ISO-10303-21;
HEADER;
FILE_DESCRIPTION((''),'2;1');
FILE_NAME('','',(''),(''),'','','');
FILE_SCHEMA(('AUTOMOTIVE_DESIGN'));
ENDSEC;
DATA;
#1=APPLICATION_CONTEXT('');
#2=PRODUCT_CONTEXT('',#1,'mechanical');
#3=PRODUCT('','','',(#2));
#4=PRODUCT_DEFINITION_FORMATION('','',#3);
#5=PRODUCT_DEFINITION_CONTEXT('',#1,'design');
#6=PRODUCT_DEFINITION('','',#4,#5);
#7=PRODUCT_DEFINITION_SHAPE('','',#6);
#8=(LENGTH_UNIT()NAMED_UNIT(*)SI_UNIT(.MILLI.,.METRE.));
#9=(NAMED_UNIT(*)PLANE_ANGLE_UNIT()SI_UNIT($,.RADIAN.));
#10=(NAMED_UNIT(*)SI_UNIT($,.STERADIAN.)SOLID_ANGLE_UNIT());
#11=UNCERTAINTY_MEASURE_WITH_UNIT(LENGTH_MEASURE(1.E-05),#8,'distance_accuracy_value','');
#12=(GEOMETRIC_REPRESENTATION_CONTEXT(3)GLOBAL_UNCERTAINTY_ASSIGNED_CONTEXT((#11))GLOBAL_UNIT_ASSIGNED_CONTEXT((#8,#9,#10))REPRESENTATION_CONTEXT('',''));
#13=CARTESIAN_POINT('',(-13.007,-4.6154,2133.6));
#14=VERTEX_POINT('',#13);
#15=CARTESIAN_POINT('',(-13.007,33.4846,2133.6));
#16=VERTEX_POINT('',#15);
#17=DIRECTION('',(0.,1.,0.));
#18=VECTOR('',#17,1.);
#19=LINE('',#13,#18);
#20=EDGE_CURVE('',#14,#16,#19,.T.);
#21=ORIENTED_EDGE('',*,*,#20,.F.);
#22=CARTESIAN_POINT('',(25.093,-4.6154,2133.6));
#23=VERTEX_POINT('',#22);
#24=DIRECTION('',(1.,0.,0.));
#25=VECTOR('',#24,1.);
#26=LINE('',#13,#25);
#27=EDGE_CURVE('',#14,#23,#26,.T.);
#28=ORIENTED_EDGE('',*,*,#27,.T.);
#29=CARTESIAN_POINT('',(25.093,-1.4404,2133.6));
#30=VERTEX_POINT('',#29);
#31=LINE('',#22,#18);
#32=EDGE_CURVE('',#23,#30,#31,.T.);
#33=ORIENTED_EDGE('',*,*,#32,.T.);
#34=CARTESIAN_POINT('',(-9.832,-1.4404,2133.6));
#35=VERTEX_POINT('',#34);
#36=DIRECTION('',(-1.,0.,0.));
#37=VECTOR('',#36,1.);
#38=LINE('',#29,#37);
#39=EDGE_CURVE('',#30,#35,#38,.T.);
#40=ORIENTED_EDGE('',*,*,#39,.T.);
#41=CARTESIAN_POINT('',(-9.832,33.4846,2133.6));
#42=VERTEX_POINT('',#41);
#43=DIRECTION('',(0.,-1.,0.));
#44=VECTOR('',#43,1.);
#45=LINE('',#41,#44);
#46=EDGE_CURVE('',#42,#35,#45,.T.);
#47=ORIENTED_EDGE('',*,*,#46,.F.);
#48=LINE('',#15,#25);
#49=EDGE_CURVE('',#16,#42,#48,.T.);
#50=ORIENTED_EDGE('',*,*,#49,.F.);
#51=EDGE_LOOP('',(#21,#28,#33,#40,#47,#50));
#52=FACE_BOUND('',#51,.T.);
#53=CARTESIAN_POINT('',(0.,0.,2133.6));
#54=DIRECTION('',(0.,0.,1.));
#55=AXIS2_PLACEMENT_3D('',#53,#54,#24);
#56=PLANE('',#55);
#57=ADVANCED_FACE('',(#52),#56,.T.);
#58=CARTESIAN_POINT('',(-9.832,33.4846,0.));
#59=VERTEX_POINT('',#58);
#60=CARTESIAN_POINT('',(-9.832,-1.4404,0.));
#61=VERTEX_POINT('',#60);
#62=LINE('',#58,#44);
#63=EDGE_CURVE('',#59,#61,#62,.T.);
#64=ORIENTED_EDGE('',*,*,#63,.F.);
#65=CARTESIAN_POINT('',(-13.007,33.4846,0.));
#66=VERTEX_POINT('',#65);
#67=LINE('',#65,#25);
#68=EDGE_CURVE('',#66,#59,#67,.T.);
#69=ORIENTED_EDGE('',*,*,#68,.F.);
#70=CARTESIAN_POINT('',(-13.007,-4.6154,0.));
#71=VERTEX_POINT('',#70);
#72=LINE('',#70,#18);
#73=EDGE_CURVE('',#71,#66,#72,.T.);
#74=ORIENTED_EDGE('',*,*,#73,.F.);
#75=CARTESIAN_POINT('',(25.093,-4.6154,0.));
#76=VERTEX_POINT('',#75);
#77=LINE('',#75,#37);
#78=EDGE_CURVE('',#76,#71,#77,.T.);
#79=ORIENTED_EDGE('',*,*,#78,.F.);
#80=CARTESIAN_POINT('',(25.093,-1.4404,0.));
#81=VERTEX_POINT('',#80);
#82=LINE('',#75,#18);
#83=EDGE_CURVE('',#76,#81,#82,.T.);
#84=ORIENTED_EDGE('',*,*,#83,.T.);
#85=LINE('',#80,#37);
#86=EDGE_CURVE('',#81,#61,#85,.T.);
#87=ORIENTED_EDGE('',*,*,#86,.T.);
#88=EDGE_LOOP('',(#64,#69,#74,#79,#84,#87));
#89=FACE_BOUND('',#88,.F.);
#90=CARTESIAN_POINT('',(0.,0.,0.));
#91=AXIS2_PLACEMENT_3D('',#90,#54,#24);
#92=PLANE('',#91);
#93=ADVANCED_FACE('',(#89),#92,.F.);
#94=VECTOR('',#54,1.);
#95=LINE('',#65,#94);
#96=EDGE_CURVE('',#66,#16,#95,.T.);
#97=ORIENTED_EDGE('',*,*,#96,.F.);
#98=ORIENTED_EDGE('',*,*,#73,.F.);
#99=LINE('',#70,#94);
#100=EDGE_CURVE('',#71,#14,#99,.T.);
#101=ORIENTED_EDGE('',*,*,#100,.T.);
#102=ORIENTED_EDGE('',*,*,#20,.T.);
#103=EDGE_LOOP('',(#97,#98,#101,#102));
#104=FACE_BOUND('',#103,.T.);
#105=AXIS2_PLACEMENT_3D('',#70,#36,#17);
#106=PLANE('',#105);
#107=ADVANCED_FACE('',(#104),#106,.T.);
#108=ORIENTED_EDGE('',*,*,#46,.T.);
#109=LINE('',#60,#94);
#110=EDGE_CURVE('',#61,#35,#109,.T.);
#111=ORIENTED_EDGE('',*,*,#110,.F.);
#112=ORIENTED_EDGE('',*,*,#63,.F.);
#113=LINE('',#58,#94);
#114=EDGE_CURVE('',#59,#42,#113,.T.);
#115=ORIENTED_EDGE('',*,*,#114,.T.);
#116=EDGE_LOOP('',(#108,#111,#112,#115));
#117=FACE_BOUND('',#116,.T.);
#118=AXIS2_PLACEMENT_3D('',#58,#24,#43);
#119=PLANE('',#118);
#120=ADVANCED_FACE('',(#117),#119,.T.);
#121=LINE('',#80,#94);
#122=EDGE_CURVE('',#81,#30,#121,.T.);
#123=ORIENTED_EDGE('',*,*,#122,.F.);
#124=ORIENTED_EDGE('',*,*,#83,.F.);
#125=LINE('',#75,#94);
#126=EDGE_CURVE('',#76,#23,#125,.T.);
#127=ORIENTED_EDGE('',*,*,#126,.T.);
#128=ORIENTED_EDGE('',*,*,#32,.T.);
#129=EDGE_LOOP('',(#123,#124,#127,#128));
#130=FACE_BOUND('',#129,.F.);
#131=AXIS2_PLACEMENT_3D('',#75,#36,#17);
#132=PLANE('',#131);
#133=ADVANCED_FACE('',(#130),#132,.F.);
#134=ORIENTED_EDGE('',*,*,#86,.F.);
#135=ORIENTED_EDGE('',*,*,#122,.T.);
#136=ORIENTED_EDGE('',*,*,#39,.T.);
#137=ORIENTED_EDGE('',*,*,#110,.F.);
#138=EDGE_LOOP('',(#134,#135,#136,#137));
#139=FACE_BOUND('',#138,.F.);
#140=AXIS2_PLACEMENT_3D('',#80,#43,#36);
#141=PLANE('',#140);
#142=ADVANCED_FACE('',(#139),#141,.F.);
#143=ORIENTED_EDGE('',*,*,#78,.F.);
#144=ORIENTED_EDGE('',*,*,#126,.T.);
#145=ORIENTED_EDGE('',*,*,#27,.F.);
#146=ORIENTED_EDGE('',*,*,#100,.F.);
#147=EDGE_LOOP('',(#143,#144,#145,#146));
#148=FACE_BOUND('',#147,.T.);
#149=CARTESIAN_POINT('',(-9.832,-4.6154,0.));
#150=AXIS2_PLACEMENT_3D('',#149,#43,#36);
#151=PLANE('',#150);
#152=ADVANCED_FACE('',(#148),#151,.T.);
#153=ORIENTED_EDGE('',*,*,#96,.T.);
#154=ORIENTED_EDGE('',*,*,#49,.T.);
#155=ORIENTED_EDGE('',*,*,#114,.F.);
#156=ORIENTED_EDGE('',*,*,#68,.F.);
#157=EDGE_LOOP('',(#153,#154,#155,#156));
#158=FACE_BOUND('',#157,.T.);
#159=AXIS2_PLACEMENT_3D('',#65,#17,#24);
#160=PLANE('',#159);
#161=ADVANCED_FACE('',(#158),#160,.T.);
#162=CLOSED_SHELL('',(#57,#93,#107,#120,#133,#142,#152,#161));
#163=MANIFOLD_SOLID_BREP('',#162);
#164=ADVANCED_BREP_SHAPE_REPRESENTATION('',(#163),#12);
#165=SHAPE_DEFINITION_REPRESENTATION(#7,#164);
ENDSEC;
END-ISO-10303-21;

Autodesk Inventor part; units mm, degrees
ref_plane "YZ Plane" through (0, 0, 0) normal (1, 0, 0) x (0, 1, 0)
ref_plane "XZ Plane" through (0, 0, 0) normal (0, 1, 0) x (-1, 0, 0)
ref_plane "XY Plane" through (0, 0, 0) normal (0, 0, 1) x (1, 0, 0)
sketch "Sketch1" plane through (0, 0, 0) normal (0, 0, 1) x (1, 0, 0)
  line L0 (-13.007, 33.4846) -> (-9.832, 33.4846)
  line L1 (-9.832, 33.4846) -> (-9.832, -4.6154)
  line L2 (-9.832, -4.6154) -> (-13.007, -4.6154)
  line L3 (-13.007, -4.6154) -> (-13.007, 33.4846)
  line L4 (-9.832, -4.6154) -> (25.093, -4.6154)
  line L5 (25.093, -4.6154) -> (25.093, -1.4404)
  line L6 (25.093, -1.4404) -> (-9.832, -1.4404)
  line L7 (-9.832, -1.4404) -> (-9.832, -4.6154)
  point P0 (0, 0)
  dimension "d2" = 38.1
  dimension "d3" = 38.1
  dimension "d4" = 3.175
  dimension "d5" = 3.175
extrude "Extrusion1" add sketch "Sketch1" along normal blind 2133.6
properties part number "long angle rail"
